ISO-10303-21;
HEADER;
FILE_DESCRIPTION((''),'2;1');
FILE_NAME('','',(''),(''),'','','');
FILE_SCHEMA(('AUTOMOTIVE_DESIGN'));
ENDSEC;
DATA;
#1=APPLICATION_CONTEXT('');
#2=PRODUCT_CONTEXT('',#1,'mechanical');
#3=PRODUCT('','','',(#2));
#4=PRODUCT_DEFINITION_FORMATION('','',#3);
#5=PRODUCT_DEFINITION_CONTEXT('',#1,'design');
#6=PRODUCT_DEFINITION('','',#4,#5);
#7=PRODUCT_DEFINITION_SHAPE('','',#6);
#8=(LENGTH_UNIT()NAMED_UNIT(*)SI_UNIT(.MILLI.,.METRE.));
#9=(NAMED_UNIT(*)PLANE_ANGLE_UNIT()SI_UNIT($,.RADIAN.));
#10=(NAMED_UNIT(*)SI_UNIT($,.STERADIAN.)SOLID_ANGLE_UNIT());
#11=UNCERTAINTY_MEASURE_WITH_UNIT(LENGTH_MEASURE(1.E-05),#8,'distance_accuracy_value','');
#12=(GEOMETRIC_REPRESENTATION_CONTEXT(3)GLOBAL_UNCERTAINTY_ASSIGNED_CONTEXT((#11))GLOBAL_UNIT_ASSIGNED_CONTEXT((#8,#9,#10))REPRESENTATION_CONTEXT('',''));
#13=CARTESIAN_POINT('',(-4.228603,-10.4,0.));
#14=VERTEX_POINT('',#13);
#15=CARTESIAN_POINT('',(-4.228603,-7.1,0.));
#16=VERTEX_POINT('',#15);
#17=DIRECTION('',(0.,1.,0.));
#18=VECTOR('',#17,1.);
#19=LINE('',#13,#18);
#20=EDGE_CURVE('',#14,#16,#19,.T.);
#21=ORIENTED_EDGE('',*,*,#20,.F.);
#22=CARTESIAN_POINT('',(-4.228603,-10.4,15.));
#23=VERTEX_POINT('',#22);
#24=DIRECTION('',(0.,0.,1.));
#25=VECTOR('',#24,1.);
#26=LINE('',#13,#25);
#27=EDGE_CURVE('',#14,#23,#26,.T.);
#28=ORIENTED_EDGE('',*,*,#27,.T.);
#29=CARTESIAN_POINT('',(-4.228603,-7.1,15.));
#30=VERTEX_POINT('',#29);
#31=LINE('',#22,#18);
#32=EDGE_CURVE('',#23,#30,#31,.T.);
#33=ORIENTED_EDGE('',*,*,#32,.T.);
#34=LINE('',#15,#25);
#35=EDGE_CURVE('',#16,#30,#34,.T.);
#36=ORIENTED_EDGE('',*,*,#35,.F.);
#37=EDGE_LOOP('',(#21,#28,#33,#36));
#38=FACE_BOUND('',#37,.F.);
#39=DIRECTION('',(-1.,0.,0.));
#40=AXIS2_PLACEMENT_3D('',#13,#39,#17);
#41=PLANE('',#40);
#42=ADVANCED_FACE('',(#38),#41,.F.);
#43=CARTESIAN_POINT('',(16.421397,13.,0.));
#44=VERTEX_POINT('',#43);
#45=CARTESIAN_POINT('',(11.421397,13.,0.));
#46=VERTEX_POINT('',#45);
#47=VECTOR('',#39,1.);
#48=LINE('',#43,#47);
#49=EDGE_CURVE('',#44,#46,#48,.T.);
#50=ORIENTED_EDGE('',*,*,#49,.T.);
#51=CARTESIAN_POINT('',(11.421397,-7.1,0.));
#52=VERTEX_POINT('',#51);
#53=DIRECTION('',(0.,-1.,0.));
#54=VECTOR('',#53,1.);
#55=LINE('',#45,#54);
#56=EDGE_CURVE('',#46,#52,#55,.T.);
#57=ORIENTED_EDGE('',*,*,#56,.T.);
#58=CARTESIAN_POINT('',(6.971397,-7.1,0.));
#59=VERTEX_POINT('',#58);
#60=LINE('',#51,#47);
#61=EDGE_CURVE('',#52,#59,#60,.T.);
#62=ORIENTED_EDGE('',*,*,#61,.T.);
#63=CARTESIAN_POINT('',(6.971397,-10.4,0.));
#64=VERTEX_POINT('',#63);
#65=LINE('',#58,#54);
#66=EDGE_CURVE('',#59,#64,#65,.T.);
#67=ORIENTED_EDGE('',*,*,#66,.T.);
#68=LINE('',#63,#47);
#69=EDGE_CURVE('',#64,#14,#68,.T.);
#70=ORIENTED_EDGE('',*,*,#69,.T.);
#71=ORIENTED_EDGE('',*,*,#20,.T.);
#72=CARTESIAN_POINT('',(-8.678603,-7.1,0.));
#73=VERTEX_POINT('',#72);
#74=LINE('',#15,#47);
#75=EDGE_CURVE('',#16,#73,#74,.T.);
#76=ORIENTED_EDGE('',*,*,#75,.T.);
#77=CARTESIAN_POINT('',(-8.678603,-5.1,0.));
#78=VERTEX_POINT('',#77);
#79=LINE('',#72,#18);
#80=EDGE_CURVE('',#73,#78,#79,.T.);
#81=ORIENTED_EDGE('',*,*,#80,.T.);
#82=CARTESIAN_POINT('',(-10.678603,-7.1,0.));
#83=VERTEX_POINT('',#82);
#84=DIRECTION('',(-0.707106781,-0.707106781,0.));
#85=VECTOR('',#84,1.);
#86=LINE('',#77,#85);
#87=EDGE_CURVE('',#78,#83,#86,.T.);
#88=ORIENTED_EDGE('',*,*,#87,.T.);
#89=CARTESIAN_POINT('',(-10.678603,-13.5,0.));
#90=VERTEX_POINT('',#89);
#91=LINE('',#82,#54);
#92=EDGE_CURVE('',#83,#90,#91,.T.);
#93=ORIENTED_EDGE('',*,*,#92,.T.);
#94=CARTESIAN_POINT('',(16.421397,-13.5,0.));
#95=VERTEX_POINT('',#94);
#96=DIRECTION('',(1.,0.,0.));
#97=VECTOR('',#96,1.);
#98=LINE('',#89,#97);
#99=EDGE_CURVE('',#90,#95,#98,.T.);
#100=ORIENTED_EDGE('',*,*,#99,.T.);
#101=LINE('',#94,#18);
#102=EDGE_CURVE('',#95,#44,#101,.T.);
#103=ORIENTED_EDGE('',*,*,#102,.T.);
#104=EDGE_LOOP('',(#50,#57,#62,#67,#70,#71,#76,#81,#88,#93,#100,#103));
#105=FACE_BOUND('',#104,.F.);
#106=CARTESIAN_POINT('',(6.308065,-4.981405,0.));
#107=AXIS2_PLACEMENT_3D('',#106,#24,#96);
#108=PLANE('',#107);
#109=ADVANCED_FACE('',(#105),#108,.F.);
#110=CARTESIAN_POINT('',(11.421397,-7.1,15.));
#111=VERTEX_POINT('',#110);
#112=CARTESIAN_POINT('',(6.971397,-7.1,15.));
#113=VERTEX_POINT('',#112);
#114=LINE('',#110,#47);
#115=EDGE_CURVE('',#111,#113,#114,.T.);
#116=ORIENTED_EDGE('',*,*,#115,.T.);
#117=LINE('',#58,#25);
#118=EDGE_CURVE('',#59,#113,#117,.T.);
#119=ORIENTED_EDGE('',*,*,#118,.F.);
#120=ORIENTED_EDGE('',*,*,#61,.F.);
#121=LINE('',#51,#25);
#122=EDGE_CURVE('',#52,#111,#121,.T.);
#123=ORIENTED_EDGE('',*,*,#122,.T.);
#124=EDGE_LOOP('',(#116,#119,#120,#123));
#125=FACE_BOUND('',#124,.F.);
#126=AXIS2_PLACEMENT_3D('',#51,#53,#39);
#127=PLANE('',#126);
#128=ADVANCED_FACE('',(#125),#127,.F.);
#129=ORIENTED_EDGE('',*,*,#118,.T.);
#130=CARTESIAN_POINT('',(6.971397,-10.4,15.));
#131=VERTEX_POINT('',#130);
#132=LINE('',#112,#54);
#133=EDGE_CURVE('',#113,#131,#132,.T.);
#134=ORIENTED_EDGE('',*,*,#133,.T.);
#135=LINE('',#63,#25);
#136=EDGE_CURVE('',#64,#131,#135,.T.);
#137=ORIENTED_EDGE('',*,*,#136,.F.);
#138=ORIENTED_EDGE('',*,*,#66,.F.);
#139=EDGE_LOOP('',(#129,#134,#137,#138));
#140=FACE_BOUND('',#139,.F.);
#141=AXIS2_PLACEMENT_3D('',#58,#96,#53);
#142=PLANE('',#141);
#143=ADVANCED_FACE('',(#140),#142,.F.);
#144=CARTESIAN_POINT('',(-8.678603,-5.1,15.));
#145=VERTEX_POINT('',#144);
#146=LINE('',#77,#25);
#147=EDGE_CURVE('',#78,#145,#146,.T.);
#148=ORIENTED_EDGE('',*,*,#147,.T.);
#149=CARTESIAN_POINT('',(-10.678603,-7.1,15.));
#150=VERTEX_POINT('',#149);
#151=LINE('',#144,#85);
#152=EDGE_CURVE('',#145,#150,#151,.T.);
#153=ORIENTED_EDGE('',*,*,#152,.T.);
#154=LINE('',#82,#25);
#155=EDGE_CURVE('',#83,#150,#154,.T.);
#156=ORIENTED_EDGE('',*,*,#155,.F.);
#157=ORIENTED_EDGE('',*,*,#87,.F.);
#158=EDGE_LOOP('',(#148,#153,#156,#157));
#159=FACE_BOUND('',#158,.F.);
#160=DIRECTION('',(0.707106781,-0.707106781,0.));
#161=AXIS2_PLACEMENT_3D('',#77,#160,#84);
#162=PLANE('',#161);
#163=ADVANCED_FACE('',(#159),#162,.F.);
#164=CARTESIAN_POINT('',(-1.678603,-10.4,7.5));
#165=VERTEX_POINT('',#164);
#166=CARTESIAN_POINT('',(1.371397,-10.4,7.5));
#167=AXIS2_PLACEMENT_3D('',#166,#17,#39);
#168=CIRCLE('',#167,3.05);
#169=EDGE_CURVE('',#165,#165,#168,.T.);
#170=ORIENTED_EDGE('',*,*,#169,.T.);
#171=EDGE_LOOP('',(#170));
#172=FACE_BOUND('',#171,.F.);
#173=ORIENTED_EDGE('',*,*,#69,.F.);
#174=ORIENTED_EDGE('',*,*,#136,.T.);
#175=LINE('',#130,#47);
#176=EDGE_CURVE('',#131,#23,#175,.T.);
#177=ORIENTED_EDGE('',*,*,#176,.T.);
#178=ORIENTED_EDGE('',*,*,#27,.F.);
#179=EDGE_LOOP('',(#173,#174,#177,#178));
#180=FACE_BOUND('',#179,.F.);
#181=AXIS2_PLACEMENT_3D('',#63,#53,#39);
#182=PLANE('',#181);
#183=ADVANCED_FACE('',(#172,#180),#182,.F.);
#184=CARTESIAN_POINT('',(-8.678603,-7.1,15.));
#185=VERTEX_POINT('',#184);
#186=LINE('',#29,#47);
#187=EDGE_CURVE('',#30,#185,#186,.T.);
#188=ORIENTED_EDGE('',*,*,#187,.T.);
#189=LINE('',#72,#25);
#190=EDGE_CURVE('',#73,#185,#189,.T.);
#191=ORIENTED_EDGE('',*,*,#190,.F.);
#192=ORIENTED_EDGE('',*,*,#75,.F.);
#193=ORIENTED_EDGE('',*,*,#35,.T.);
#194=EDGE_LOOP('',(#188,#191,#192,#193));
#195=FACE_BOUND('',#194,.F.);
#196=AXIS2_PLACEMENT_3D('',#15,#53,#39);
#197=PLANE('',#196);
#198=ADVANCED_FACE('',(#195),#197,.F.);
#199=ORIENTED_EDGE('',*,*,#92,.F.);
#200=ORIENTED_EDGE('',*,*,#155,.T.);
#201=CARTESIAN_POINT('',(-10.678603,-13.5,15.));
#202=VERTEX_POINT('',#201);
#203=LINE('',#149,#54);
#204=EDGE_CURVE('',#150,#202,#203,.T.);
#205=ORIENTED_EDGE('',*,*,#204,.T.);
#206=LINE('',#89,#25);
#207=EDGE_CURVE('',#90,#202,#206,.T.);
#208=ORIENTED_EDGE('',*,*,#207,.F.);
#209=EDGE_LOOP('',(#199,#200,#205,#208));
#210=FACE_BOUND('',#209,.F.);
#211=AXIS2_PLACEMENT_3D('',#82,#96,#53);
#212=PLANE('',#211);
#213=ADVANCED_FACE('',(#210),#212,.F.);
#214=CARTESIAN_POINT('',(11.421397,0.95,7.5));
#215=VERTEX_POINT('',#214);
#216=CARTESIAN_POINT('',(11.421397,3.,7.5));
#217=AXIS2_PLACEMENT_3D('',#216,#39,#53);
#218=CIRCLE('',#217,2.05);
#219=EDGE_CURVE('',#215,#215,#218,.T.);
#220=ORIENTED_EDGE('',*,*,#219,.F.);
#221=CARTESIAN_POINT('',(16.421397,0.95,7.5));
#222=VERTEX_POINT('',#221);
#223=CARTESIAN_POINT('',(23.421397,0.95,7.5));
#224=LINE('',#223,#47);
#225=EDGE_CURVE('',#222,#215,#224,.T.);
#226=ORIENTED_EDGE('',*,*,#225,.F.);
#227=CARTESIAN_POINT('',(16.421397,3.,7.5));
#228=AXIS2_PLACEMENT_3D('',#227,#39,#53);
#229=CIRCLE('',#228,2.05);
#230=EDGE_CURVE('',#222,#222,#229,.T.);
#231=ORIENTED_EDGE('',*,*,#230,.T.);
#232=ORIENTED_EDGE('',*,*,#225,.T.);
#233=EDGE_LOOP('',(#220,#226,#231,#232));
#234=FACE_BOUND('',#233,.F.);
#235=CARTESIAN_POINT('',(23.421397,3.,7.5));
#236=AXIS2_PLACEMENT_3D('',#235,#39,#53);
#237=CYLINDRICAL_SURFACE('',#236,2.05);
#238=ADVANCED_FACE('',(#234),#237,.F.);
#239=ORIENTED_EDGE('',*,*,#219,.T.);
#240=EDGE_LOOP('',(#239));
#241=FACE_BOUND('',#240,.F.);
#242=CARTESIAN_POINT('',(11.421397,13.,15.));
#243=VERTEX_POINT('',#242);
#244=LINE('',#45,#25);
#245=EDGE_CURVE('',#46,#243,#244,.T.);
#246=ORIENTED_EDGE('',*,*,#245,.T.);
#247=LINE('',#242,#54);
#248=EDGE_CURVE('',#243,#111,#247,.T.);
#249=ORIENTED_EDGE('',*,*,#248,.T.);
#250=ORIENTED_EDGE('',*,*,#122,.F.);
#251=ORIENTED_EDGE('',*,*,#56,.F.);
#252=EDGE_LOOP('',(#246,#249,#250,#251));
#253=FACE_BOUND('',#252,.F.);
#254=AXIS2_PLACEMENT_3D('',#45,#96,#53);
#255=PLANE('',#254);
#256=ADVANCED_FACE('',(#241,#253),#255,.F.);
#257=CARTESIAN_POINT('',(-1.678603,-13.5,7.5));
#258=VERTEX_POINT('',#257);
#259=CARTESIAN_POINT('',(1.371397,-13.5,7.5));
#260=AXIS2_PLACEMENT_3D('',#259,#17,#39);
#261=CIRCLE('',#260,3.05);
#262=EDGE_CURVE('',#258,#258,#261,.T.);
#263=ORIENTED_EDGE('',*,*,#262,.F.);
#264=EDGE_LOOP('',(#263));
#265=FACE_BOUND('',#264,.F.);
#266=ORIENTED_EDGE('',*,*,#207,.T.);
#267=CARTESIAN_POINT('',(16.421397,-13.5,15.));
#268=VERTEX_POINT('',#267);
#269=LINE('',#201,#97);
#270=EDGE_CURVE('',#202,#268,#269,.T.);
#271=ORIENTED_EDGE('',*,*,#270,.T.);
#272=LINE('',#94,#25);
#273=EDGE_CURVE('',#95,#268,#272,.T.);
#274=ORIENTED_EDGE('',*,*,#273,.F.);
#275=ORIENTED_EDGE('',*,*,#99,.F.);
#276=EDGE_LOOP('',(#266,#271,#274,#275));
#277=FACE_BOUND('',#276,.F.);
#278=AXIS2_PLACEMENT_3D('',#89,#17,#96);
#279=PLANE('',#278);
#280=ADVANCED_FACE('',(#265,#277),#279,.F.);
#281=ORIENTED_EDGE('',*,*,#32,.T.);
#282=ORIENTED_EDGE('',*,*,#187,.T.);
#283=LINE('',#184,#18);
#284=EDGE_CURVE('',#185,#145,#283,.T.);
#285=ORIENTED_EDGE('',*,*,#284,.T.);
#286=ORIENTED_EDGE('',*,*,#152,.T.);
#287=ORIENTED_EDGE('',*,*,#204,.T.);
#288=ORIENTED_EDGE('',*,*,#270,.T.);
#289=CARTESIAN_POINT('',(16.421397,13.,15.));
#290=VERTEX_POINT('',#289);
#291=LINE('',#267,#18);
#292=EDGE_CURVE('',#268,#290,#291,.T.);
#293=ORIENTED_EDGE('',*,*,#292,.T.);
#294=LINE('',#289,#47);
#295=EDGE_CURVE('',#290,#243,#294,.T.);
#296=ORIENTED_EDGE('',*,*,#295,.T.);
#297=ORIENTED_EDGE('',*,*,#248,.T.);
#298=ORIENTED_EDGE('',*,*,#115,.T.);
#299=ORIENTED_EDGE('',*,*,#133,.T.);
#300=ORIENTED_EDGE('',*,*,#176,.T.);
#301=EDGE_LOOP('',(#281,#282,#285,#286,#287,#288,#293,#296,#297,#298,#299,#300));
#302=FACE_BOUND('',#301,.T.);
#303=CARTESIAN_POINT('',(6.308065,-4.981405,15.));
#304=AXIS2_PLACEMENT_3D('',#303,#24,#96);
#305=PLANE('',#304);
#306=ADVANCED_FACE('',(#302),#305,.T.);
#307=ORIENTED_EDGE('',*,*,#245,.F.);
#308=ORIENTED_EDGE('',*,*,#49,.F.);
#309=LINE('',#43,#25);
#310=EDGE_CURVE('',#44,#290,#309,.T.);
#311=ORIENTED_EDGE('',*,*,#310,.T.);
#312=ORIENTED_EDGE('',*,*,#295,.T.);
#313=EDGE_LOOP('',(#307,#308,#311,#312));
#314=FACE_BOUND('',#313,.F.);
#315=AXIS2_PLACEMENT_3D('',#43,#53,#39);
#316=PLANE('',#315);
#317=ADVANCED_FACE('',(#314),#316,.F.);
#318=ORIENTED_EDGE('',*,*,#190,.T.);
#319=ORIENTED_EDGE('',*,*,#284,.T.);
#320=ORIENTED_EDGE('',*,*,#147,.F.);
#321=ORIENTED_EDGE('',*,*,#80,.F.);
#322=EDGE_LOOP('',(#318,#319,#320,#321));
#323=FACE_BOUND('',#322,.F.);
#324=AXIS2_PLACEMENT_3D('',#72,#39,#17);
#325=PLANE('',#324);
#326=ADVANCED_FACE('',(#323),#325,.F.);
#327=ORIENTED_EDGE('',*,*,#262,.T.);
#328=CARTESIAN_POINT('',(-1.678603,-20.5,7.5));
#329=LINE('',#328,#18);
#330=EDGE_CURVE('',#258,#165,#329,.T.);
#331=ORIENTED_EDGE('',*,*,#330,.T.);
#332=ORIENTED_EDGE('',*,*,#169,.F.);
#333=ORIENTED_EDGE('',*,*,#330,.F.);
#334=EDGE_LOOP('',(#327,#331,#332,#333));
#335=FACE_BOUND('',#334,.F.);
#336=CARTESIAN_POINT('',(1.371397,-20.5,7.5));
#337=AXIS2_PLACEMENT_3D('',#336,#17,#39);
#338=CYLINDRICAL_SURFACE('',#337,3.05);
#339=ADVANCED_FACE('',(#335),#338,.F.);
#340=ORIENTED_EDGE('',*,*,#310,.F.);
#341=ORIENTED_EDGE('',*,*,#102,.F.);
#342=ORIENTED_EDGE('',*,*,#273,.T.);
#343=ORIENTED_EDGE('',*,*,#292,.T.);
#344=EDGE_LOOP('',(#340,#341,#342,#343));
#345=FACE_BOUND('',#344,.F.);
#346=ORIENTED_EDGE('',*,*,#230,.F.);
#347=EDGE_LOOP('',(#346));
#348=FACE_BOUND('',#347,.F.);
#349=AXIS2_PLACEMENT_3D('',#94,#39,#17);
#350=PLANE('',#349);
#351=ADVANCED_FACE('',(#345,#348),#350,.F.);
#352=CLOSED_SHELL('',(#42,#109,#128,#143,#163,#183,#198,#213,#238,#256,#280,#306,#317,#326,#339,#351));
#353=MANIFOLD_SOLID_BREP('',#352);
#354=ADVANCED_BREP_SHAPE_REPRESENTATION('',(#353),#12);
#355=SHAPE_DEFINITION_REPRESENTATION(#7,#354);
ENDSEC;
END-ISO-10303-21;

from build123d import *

# Parameters (mm, degrees)
F1_DEPTH = 15
F4_D     = 4.1
F4_DEPTH = 7
F5_D     = 6.1
F5_DEPTH = 7


with BuildPart() as f1:
    # F0 (on Top) → F1 (new body)
    with BuildSketch(Plane.XY):
        Polygon((-8.678603, -7.1), (-8.678603, -5.1), (-10.678603, -7.1), (-10.678603, -13.5), (16.421397, -13.5), (16.421397, 13), (11.421397, 13), (11.421397, -7.1), (6.971397, -7.1), (6.971397, -10.4), (-4.228603, -10.4), (-4.228603, -7.1), align=None)
    extrude(amount=F1_DEPTH)

    # F4
    with Locations(Plane.YZ.offset(16.421397)):
        with Locations((3, 7.5)):
            Hole(F4_D / 2, depth=F4_DEPTH)

    # F5
    with Locations(Plane.XZ.offset(13.5)):
        with Locations((1.371397, 7.5)):
            Hole(F5_D / 2, depth=F5_DEPTH)


solid = f1.part
